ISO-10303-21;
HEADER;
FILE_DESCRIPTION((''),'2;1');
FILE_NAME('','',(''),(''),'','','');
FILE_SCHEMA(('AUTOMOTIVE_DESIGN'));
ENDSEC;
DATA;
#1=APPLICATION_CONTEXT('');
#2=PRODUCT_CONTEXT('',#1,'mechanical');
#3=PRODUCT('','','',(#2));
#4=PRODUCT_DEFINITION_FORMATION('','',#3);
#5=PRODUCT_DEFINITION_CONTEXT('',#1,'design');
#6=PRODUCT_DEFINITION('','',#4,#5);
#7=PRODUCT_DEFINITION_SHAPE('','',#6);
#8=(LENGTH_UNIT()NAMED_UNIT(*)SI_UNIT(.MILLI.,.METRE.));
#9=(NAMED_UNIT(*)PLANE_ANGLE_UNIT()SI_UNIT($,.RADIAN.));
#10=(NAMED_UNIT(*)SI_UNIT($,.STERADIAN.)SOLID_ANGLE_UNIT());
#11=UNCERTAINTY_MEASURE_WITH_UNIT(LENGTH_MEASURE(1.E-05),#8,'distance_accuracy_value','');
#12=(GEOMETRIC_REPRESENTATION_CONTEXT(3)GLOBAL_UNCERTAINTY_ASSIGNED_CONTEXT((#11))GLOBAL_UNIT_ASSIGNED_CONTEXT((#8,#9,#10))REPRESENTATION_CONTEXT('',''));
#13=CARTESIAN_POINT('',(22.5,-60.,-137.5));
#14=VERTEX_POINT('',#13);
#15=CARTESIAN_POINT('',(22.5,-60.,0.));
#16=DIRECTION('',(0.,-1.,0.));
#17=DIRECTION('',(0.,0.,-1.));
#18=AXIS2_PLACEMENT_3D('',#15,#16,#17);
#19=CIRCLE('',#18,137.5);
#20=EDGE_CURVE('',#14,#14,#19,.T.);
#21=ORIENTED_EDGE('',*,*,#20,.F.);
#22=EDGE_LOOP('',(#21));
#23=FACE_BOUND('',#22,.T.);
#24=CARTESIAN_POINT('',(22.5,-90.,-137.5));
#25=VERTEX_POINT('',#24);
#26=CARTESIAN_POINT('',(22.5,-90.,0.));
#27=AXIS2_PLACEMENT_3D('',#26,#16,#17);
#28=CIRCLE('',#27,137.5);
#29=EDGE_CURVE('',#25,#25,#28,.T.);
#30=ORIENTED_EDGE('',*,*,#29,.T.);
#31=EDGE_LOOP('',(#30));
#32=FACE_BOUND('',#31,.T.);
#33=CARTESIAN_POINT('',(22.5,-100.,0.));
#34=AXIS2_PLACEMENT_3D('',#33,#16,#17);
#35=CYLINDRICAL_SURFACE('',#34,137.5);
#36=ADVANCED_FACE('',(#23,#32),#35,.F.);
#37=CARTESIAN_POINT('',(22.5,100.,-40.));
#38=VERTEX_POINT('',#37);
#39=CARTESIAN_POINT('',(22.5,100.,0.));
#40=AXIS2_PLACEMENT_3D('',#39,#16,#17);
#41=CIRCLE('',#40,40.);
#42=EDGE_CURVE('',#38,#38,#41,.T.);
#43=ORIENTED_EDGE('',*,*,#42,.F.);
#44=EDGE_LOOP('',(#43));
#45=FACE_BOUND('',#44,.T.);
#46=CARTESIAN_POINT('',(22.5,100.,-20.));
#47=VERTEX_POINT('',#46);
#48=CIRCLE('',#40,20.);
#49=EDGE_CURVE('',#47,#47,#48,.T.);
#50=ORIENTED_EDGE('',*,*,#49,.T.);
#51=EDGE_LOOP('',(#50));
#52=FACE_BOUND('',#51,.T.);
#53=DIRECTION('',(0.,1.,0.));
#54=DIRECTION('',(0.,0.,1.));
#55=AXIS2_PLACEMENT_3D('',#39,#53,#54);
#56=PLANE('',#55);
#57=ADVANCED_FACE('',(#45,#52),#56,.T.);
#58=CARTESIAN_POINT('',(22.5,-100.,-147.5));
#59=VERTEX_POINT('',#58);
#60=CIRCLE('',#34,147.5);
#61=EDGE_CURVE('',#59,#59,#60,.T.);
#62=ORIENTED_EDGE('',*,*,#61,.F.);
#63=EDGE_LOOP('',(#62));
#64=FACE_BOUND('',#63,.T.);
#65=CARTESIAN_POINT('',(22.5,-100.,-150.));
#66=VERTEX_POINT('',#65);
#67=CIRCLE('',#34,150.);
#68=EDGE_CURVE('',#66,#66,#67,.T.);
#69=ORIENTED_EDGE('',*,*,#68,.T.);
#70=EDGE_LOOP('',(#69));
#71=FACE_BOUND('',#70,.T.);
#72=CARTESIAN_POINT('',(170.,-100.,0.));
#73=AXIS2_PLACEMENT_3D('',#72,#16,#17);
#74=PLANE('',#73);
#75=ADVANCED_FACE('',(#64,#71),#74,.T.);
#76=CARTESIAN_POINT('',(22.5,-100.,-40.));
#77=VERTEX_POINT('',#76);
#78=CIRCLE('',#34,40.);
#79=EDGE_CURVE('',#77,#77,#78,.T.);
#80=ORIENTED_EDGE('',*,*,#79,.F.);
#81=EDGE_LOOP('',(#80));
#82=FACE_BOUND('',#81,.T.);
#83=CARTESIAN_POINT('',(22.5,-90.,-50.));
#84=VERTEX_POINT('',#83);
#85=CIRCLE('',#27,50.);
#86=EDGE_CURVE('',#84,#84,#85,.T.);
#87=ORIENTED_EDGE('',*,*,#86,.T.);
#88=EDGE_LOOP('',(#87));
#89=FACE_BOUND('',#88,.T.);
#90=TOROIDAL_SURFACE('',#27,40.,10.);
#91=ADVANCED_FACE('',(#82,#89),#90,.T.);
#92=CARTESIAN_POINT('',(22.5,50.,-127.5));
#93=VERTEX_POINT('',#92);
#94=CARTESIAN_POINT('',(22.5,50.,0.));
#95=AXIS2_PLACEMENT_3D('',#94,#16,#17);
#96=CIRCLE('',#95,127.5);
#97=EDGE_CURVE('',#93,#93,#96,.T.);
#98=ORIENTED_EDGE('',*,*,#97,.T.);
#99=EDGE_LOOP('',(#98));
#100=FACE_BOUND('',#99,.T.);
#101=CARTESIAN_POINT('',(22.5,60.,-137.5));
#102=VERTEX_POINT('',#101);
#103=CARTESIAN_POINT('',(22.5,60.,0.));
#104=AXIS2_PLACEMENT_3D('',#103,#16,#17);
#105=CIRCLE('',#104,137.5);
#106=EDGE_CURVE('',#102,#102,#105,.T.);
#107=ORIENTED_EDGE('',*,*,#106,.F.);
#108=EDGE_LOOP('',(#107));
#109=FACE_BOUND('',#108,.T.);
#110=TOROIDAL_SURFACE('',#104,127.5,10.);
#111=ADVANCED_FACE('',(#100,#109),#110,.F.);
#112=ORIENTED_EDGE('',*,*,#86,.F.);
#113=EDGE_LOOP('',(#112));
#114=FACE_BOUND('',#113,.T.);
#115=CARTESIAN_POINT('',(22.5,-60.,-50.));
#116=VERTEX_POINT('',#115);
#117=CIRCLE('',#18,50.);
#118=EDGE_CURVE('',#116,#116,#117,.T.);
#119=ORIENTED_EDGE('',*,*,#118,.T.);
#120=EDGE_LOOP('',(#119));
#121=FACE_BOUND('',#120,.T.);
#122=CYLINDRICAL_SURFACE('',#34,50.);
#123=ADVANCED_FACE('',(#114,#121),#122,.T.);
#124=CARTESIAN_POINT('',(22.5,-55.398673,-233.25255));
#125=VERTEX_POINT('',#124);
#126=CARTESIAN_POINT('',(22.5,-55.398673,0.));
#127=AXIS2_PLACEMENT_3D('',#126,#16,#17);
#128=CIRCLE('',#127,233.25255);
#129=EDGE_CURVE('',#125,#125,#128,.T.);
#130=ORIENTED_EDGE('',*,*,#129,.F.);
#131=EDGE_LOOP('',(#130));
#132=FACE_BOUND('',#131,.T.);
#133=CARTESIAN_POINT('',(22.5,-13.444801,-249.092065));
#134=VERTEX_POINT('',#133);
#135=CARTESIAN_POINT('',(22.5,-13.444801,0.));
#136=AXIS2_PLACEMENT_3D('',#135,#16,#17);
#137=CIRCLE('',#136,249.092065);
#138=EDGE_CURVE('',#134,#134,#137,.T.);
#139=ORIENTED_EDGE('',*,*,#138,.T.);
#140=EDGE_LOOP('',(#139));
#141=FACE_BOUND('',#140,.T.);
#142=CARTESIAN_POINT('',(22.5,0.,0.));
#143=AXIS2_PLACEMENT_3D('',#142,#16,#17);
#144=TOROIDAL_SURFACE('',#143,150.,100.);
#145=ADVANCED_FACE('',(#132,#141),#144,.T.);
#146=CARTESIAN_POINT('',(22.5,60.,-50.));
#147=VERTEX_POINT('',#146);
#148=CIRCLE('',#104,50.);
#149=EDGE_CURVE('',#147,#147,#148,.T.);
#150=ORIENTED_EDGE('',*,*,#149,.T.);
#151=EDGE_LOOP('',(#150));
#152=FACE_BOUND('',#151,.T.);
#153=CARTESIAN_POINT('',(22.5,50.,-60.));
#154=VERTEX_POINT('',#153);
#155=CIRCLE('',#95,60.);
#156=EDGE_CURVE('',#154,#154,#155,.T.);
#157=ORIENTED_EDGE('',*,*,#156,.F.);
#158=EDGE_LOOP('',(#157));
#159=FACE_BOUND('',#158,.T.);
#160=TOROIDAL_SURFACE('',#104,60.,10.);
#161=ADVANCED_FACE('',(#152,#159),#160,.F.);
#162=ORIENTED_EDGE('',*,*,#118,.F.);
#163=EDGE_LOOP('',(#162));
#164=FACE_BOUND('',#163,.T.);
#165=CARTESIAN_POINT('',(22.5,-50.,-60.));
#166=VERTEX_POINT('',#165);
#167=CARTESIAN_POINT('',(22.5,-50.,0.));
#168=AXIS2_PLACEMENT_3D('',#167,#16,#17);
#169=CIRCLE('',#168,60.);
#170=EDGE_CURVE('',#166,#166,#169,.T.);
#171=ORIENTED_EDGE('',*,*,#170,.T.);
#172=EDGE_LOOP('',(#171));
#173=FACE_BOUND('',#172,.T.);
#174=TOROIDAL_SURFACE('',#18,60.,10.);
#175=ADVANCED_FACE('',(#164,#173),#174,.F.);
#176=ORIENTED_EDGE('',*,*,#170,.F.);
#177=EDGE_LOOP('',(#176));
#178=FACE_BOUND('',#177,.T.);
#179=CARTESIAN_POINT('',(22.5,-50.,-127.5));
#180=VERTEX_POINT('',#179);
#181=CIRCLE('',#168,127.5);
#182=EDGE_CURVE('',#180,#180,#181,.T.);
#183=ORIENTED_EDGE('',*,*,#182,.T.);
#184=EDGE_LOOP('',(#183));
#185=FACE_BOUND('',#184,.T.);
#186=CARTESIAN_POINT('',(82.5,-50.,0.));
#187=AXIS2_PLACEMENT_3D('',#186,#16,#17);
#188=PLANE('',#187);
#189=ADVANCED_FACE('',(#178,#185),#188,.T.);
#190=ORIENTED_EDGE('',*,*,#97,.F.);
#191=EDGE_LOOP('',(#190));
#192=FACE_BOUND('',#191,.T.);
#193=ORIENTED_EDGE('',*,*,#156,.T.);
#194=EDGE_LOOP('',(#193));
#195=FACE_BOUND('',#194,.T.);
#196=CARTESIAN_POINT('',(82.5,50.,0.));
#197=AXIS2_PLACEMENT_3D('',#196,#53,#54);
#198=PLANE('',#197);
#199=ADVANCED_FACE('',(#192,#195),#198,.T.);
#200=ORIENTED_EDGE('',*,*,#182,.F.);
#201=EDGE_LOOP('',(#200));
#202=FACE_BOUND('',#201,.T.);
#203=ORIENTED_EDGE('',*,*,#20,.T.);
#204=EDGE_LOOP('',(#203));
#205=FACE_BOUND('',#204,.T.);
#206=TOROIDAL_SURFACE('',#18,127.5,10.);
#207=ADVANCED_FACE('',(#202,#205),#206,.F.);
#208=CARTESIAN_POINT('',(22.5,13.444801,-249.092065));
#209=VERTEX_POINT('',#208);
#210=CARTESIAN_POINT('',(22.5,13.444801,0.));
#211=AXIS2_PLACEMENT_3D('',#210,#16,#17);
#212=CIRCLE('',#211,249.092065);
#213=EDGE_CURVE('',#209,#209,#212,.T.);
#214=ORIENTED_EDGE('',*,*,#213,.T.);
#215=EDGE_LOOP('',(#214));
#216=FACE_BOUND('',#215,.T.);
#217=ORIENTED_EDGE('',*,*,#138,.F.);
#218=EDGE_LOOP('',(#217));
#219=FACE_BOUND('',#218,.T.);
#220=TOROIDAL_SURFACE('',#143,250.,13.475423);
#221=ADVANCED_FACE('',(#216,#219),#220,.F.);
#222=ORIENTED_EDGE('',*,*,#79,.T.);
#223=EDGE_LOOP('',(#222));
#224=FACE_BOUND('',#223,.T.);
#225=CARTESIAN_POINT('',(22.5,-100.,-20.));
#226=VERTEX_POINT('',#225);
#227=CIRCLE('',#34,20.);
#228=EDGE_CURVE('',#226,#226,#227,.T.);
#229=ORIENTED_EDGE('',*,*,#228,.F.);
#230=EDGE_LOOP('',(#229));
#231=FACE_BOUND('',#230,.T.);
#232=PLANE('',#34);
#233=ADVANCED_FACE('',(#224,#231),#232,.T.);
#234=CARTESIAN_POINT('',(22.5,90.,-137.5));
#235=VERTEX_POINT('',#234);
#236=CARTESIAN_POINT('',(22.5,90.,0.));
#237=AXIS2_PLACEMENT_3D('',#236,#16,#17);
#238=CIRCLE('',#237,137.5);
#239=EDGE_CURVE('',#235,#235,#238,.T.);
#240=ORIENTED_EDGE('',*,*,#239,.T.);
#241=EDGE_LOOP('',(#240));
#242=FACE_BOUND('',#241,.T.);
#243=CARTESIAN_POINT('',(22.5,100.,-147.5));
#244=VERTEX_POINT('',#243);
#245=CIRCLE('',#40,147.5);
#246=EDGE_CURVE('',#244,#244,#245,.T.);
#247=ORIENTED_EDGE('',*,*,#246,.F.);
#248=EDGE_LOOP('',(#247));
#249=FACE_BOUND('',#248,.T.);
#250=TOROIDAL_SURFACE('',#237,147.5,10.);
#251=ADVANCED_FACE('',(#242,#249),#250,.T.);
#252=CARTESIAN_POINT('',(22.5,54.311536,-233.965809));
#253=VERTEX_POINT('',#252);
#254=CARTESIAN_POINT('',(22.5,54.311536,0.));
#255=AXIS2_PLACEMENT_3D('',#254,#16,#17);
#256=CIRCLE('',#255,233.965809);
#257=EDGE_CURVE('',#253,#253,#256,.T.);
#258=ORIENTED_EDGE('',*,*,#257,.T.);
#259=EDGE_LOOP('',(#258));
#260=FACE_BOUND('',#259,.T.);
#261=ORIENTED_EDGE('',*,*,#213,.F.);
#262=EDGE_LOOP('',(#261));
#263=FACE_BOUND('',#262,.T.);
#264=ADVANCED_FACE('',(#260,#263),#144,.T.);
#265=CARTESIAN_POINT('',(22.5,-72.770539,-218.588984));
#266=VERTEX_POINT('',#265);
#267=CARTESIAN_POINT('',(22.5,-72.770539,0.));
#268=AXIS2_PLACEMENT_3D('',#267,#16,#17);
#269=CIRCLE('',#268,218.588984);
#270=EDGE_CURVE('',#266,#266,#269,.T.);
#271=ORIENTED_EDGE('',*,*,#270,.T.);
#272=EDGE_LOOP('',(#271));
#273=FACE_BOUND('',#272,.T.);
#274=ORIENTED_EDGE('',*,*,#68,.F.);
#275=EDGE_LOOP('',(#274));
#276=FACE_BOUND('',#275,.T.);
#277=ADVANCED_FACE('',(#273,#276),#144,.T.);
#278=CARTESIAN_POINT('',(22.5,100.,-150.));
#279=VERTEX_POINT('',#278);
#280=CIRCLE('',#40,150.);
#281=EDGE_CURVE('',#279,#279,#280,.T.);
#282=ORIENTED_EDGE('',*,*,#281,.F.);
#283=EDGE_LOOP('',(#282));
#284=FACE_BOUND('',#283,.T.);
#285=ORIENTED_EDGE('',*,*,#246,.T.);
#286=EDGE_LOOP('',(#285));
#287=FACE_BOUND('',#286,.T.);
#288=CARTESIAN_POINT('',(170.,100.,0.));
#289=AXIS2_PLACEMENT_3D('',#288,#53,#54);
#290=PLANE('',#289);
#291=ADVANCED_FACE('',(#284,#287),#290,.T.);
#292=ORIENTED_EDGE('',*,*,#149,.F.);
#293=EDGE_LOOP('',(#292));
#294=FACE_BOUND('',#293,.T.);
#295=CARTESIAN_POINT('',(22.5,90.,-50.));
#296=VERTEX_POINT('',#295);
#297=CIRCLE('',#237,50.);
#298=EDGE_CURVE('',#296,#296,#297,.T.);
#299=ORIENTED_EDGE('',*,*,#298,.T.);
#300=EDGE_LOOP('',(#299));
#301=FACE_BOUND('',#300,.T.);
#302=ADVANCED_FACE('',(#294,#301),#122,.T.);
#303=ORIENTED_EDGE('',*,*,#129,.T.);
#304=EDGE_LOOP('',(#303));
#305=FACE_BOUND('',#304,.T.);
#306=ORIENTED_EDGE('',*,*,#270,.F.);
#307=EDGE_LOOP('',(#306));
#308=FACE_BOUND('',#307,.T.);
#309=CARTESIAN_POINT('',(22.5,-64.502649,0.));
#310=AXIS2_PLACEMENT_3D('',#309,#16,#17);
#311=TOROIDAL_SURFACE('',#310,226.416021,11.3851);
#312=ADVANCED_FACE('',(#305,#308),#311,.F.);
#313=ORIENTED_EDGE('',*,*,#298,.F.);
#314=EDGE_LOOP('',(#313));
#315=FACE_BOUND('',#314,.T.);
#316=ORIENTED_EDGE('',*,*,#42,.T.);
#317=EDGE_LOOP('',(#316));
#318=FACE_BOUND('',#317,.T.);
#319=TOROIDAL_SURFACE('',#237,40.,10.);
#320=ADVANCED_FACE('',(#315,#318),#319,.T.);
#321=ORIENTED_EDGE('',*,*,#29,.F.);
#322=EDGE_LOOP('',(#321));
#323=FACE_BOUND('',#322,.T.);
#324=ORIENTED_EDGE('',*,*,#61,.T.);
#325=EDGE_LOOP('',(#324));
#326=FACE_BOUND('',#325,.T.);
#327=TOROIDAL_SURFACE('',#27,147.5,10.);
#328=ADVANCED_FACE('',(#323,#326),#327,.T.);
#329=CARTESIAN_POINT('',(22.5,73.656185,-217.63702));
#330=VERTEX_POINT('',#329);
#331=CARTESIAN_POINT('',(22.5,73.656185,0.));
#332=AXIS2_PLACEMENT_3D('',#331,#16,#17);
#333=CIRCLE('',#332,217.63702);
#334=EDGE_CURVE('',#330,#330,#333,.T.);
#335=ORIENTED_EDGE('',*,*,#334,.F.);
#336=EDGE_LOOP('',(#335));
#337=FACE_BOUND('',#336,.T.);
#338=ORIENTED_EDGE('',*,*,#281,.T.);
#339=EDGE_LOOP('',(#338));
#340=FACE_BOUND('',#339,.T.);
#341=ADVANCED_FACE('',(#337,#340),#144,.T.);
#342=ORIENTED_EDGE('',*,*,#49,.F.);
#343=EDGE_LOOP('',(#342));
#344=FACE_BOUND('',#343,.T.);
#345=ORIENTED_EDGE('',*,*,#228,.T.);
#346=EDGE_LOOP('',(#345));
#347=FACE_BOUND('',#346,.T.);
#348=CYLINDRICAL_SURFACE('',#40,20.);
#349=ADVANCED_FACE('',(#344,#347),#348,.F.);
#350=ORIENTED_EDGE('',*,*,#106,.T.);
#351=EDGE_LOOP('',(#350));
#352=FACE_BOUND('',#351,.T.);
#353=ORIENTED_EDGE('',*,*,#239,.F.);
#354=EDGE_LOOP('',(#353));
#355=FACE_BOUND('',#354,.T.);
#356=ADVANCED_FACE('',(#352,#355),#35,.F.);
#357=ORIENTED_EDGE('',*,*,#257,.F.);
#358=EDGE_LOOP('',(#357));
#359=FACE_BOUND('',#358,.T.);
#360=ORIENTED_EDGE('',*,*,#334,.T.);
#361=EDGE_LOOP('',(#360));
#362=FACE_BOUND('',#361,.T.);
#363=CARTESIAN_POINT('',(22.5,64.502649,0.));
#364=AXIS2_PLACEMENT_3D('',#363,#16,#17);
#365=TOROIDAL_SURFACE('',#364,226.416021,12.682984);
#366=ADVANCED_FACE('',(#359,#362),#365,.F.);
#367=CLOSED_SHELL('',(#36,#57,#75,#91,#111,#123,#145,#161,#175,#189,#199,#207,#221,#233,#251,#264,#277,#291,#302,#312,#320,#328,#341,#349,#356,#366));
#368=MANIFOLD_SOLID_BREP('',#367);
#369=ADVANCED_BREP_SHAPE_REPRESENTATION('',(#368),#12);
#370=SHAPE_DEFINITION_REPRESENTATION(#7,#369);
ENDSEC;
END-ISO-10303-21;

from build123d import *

# Parameters (mm, degrees)
SKETCH3_R          = 20
CUT_EXTRUDE1_DEPTH = 201


with BuildPart() as part:
    # Sketch2 → Revolve2 (revolve)
    with BuildSketch(Plane.XY):
        with BuildLine():
            Line((22.5, -100), (22.5, 100))
            Line((22.5, 100), (62.5, 100))
            ThreePointArc((62.5, 100), (69.571067812, 97.071067812), (72.5, 90))
            Line((72.5, 90), (72.5, 60))
            ThreePointArc((72.5, 60), (75.428932188, 52.928932188), (82.5, 50))
            Line((82.5, 50), (150, 50))
            ThreePointArc((150, 50), (157.071067812, 52.928932188), (160, 60))
            Line((160, 60), (160, 90))
            ThreePointArc((160, 90), (162.928932188, 97.071067812), (170, 100))
            Line((170, 100), (172.5, 100))
            ThreePointArc((172.5, 100), (208.79312261, 93.181592878), (240.137019506, 73.656185024))
            ThreePointArc((240.137019506, 73.656185024), (239.224189112, 56.321788112), (256.465809119, 54.311535598))
            ThreePointArc((256.465809119, 54.311535598), (266.282028137, 34.712118899), (271.592064868, 13.444801233))
            ThreePointArc((271.592064868, 13.444801233), (259.024576949, 0), (271.592064868, -13.444801233))
            ThreePointArc((271.592064868, -13.444801233), (266.054377043, -35.321077788), (255.752549862, -55.398672742))
            ThreePointArc((255.752549862, -55.398672742), (240.215980432, -57.15895768), (241.088983938, -72.770538561))
            ThreePointArc((241.088983938, -72.770538561), (209.39814456, -92.943676106), (172.5, -100))
            Line((172.5, -100), (170, -100))
            ThreePointArc((170, -100), (162.928932188, -97.071067812), (160, -90))
            Line((160, -90), (160, -60))
            ThreePointArc((160, -60), (157.071067812, -52.928932188), (150, -50))
            Line((150, -50), (82.5, -50))
            ThreePointArc((82.5, -50), (75.428932188, -52.928932188), (72.5, -60))
            Line((72.5, -60), (72.5, -90))
            ThreePointArc((72.5, -90), (69.571067812, -97.071067812), (62.5, -100))
            Line((62.5, -100), (22.5, -100))
        make_face()
    revolve(axis=Axis((22.5, -100, 0), (0, 1, 0)))

    # Sketch3 → Cut-Extrude1 (cut, through all)
    with BuildSketch(Plane.XZ.offset(100)):
        with Locations((22.5, 0)):
            Circle(SKETCH3_R)
    extrude(amount=-CUT_EXTRUDE1_DEPTH, mode=Mode.SUBTRACT)


solid = part.part
